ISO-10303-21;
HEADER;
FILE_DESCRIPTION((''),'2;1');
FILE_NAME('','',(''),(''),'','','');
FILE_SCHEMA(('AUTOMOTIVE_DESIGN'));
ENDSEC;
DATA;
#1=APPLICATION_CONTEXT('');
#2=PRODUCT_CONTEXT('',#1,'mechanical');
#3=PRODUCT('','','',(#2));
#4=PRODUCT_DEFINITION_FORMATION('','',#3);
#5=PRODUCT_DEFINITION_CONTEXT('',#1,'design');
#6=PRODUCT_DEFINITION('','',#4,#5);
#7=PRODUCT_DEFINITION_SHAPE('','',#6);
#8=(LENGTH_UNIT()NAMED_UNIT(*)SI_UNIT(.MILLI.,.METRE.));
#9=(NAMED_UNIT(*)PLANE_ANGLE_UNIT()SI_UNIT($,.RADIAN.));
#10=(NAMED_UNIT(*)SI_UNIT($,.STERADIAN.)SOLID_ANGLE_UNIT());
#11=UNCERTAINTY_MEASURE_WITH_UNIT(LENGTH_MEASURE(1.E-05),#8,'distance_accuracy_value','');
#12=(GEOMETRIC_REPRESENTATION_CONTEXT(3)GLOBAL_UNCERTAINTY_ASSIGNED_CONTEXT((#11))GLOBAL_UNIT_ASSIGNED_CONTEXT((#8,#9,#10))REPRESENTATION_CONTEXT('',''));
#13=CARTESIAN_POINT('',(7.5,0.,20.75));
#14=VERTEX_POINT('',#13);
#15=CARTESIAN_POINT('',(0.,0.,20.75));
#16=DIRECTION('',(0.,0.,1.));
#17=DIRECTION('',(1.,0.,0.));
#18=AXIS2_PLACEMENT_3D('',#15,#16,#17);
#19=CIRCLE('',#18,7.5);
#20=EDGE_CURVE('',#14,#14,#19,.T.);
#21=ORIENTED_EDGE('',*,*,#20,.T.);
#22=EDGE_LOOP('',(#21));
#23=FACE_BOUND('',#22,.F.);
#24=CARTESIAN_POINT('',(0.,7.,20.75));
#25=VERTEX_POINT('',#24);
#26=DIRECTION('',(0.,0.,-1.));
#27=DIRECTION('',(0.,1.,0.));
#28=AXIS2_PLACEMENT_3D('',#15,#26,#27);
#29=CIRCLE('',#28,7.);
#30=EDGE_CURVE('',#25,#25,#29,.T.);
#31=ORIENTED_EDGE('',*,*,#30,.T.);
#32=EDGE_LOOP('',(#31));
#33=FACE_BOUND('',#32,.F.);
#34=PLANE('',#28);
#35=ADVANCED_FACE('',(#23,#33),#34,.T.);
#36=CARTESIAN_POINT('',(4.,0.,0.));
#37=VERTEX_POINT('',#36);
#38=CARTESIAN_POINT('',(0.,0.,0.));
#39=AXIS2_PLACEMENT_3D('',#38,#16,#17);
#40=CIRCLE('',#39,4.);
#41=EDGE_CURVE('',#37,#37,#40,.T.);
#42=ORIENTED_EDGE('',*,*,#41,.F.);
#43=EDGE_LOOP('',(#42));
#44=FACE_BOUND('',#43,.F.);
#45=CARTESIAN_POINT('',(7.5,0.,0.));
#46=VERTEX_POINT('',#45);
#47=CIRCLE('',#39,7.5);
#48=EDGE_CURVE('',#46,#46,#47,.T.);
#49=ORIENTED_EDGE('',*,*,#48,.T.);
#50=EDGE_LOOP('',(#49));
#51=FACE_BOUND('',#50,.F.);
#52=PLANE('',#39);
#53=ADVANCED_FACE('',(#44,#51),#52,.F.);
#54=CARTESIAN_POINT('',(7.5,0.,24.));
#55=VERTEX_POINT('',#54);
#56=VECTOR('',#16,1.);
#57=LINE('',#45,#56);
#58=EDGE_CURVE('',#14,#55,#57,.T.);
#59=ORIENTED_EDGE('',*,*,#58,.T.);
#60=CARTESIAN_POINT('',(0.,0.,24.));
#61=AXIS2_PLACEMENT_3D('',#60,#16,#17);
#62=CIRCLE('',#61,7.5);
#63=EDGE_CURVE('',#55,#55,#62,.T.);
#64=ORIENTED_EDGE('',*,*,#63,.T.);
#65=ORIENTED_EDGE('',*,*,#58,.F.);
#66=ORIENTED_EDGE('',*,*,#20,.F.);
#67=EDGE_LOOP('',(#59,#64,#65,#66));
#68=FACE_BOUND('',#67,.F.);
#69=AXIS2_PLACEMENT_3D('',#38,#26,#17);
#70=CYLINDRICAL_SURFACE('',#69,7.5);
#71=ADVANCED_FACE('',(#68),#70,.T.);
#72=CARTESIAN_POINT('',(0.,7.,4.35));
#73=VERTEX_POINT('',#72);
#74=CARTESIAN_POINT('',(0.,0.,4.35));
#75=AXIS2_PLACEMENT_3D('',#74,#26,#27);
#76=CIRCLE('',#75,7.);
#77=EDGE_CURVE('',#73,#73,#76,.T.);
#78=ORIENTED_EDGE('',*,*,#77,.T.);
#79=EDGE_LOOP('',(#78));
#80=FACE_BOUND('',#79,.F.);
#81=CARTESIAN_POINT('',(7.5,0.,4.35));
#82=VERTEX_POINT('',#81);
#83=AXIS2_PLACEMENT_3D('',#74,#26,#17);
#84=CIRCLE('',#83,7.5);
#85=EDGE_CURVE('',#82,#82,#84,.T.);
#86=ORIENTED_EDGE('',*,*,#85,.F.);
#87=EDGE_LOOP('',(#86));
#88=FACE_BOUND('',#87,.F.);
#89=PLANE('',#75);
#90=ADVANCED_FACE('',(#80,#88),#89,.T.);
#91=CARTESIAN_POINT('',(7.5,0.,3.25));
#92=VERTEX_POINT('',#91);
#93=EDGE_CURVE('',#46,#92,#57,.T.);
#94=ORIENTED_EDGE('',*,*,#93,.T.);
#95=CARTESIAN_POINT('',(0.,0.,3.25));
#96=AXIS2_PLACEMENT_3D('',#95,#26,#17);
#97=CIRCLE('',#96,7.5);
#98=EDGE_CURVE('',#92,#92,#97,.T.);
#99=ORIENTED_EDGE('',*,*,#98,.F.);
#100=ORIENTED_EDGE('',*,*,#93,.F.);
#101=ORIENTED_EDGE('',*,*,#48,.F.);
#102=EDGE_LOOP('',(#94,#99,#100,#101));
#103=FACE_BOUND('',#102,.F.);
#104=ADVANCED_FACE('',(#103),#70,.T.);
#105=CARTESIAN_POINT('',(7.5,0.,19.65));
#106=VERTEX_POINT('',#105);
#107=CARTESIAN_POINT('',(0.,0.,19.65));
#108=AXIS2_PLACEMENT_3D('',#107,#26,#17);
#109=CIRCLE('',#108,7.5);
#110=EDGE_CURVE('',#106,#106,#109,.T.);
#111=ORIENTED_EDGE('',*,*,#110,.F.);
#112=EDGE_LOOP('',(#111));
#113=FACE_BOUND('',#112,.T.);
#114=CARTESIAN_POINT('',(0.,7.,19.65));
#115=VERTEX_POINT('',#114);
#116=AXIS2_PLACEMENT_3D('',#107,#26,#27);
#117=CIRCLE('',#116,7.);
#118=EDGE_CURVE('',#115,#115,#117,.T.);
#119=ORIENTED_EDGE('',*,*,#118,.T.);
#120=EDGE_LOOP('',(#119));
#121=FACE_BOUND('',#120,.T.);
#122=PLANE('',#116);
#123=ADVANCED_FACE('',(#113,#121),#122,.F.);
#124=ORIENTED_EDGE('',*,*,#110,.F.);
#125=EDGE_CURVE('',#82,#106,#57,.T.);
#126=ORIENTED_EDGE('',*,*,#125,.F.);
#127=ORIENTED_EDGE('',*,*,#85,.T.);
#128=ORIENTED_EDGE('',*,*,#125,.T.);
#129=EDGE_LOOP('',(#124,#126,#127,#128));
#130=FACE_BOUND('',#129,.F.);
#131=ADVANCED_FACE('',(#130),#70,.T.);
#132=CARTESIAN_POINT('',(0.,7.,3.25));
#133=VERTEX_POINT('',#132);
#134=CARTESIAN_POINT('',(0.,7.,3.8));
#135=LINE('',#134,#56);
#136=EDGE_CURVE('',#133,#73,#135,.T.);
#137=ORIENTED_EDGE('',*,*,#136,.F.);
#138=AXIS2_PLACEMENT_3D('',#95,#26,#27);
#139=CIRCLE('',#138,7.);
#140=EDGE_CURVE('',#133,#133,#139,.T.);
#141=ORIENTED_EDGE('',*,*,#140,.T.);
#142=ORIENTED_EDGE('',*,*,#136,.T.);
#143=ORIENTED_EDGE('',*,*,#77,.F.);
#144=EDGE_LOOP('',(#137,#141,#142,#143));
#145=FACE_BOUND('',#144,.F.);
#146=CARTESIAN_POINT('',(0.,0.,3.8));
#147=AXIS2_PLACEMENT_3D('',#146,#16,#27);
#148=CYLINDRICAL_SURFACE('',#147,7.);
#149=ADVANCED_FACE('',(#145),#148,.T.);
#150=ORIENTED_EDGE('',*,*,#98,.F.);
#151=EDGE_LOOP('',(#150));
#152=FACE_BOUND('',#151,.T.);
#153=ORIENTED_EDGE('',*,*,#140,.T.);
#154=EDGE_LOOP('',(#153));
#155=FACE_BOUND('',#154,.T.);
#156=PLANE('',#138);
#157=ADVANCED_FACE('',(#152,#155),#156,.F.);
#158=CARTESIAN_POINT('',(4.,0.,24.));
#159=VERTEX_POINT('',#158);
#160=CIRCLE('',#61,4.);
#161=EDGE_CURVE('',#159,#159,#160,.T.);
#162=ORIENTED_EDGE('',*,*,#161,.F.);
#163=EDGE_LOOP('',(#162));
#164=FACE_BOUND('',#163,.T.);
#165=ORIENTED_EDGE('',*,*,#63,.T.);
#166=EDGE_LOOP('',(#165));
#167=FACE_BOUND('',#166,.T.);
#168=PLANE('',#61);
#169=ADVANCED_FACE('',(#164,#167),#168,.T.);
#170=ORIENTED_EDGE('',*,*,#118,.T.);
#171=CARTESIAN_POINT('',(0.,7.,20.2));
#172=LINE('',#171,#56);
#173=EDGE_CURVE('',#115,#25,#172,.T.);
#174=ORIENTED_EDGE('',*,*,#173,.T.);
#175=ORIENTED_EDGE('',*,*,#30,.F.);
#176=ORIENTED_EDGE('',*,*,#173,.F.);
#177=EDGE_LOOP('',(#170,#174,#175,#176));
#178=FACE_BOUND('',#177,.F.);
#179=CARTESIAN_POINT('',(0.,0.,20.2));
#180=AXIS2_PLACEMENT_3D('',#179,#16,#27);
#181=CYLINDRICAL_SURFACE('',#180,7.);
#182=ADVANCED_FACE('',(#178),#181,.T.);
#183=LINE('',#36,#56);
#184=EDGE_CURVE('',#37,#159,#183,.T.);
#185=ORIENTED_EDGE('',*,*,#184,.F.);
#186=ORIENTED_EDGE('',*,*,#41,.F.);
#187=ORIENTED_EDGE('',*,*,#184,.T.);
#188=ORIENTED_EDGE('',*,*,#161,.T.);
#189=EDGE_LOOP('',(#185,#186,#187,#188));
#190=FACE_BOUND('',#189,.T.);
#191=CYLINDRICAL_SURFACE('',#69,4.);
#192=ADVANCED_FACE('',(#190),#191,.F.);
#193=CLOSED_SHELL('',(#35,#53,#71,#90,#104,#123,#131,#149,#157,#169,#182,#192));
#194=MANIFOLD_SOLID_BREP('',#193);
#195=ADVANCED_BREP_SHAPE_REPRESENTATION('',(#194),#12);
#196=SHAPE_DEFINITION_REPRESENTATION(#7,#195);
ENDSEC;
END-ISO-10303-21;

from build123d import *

# Parameters (mm, degrees)
F0_R     = 7.5
F0_R_2   = 4
F1_DEPTH = 24
F2_W     = 0.5
F2_H     = 1.1


with BuildPart() as f1:
    # F0 (on Top) → F1 (new body)
    with BuildSketch(Plane.XY):
        Circle(F0_R)
        Circle(F0_R_2, mode=Mode.SUBTRACT)
    extrude(amount=F1_DEPTH)

    # F2 (on Right) → F3 (revolve, cut)
    with BuildSketch(Plane.YZ):
        with Locations((7.25, 3.8)):
            Rectangle(F2_W, F2_H)
        with Locations((7.25, 20.2)):
            Rectangle(F2_W, F2_H)
    revolve(axis=Axis((0, 0, 0), (0, 0, -1)), mode=Mode.SUBTRACT)


solid = f1.part
